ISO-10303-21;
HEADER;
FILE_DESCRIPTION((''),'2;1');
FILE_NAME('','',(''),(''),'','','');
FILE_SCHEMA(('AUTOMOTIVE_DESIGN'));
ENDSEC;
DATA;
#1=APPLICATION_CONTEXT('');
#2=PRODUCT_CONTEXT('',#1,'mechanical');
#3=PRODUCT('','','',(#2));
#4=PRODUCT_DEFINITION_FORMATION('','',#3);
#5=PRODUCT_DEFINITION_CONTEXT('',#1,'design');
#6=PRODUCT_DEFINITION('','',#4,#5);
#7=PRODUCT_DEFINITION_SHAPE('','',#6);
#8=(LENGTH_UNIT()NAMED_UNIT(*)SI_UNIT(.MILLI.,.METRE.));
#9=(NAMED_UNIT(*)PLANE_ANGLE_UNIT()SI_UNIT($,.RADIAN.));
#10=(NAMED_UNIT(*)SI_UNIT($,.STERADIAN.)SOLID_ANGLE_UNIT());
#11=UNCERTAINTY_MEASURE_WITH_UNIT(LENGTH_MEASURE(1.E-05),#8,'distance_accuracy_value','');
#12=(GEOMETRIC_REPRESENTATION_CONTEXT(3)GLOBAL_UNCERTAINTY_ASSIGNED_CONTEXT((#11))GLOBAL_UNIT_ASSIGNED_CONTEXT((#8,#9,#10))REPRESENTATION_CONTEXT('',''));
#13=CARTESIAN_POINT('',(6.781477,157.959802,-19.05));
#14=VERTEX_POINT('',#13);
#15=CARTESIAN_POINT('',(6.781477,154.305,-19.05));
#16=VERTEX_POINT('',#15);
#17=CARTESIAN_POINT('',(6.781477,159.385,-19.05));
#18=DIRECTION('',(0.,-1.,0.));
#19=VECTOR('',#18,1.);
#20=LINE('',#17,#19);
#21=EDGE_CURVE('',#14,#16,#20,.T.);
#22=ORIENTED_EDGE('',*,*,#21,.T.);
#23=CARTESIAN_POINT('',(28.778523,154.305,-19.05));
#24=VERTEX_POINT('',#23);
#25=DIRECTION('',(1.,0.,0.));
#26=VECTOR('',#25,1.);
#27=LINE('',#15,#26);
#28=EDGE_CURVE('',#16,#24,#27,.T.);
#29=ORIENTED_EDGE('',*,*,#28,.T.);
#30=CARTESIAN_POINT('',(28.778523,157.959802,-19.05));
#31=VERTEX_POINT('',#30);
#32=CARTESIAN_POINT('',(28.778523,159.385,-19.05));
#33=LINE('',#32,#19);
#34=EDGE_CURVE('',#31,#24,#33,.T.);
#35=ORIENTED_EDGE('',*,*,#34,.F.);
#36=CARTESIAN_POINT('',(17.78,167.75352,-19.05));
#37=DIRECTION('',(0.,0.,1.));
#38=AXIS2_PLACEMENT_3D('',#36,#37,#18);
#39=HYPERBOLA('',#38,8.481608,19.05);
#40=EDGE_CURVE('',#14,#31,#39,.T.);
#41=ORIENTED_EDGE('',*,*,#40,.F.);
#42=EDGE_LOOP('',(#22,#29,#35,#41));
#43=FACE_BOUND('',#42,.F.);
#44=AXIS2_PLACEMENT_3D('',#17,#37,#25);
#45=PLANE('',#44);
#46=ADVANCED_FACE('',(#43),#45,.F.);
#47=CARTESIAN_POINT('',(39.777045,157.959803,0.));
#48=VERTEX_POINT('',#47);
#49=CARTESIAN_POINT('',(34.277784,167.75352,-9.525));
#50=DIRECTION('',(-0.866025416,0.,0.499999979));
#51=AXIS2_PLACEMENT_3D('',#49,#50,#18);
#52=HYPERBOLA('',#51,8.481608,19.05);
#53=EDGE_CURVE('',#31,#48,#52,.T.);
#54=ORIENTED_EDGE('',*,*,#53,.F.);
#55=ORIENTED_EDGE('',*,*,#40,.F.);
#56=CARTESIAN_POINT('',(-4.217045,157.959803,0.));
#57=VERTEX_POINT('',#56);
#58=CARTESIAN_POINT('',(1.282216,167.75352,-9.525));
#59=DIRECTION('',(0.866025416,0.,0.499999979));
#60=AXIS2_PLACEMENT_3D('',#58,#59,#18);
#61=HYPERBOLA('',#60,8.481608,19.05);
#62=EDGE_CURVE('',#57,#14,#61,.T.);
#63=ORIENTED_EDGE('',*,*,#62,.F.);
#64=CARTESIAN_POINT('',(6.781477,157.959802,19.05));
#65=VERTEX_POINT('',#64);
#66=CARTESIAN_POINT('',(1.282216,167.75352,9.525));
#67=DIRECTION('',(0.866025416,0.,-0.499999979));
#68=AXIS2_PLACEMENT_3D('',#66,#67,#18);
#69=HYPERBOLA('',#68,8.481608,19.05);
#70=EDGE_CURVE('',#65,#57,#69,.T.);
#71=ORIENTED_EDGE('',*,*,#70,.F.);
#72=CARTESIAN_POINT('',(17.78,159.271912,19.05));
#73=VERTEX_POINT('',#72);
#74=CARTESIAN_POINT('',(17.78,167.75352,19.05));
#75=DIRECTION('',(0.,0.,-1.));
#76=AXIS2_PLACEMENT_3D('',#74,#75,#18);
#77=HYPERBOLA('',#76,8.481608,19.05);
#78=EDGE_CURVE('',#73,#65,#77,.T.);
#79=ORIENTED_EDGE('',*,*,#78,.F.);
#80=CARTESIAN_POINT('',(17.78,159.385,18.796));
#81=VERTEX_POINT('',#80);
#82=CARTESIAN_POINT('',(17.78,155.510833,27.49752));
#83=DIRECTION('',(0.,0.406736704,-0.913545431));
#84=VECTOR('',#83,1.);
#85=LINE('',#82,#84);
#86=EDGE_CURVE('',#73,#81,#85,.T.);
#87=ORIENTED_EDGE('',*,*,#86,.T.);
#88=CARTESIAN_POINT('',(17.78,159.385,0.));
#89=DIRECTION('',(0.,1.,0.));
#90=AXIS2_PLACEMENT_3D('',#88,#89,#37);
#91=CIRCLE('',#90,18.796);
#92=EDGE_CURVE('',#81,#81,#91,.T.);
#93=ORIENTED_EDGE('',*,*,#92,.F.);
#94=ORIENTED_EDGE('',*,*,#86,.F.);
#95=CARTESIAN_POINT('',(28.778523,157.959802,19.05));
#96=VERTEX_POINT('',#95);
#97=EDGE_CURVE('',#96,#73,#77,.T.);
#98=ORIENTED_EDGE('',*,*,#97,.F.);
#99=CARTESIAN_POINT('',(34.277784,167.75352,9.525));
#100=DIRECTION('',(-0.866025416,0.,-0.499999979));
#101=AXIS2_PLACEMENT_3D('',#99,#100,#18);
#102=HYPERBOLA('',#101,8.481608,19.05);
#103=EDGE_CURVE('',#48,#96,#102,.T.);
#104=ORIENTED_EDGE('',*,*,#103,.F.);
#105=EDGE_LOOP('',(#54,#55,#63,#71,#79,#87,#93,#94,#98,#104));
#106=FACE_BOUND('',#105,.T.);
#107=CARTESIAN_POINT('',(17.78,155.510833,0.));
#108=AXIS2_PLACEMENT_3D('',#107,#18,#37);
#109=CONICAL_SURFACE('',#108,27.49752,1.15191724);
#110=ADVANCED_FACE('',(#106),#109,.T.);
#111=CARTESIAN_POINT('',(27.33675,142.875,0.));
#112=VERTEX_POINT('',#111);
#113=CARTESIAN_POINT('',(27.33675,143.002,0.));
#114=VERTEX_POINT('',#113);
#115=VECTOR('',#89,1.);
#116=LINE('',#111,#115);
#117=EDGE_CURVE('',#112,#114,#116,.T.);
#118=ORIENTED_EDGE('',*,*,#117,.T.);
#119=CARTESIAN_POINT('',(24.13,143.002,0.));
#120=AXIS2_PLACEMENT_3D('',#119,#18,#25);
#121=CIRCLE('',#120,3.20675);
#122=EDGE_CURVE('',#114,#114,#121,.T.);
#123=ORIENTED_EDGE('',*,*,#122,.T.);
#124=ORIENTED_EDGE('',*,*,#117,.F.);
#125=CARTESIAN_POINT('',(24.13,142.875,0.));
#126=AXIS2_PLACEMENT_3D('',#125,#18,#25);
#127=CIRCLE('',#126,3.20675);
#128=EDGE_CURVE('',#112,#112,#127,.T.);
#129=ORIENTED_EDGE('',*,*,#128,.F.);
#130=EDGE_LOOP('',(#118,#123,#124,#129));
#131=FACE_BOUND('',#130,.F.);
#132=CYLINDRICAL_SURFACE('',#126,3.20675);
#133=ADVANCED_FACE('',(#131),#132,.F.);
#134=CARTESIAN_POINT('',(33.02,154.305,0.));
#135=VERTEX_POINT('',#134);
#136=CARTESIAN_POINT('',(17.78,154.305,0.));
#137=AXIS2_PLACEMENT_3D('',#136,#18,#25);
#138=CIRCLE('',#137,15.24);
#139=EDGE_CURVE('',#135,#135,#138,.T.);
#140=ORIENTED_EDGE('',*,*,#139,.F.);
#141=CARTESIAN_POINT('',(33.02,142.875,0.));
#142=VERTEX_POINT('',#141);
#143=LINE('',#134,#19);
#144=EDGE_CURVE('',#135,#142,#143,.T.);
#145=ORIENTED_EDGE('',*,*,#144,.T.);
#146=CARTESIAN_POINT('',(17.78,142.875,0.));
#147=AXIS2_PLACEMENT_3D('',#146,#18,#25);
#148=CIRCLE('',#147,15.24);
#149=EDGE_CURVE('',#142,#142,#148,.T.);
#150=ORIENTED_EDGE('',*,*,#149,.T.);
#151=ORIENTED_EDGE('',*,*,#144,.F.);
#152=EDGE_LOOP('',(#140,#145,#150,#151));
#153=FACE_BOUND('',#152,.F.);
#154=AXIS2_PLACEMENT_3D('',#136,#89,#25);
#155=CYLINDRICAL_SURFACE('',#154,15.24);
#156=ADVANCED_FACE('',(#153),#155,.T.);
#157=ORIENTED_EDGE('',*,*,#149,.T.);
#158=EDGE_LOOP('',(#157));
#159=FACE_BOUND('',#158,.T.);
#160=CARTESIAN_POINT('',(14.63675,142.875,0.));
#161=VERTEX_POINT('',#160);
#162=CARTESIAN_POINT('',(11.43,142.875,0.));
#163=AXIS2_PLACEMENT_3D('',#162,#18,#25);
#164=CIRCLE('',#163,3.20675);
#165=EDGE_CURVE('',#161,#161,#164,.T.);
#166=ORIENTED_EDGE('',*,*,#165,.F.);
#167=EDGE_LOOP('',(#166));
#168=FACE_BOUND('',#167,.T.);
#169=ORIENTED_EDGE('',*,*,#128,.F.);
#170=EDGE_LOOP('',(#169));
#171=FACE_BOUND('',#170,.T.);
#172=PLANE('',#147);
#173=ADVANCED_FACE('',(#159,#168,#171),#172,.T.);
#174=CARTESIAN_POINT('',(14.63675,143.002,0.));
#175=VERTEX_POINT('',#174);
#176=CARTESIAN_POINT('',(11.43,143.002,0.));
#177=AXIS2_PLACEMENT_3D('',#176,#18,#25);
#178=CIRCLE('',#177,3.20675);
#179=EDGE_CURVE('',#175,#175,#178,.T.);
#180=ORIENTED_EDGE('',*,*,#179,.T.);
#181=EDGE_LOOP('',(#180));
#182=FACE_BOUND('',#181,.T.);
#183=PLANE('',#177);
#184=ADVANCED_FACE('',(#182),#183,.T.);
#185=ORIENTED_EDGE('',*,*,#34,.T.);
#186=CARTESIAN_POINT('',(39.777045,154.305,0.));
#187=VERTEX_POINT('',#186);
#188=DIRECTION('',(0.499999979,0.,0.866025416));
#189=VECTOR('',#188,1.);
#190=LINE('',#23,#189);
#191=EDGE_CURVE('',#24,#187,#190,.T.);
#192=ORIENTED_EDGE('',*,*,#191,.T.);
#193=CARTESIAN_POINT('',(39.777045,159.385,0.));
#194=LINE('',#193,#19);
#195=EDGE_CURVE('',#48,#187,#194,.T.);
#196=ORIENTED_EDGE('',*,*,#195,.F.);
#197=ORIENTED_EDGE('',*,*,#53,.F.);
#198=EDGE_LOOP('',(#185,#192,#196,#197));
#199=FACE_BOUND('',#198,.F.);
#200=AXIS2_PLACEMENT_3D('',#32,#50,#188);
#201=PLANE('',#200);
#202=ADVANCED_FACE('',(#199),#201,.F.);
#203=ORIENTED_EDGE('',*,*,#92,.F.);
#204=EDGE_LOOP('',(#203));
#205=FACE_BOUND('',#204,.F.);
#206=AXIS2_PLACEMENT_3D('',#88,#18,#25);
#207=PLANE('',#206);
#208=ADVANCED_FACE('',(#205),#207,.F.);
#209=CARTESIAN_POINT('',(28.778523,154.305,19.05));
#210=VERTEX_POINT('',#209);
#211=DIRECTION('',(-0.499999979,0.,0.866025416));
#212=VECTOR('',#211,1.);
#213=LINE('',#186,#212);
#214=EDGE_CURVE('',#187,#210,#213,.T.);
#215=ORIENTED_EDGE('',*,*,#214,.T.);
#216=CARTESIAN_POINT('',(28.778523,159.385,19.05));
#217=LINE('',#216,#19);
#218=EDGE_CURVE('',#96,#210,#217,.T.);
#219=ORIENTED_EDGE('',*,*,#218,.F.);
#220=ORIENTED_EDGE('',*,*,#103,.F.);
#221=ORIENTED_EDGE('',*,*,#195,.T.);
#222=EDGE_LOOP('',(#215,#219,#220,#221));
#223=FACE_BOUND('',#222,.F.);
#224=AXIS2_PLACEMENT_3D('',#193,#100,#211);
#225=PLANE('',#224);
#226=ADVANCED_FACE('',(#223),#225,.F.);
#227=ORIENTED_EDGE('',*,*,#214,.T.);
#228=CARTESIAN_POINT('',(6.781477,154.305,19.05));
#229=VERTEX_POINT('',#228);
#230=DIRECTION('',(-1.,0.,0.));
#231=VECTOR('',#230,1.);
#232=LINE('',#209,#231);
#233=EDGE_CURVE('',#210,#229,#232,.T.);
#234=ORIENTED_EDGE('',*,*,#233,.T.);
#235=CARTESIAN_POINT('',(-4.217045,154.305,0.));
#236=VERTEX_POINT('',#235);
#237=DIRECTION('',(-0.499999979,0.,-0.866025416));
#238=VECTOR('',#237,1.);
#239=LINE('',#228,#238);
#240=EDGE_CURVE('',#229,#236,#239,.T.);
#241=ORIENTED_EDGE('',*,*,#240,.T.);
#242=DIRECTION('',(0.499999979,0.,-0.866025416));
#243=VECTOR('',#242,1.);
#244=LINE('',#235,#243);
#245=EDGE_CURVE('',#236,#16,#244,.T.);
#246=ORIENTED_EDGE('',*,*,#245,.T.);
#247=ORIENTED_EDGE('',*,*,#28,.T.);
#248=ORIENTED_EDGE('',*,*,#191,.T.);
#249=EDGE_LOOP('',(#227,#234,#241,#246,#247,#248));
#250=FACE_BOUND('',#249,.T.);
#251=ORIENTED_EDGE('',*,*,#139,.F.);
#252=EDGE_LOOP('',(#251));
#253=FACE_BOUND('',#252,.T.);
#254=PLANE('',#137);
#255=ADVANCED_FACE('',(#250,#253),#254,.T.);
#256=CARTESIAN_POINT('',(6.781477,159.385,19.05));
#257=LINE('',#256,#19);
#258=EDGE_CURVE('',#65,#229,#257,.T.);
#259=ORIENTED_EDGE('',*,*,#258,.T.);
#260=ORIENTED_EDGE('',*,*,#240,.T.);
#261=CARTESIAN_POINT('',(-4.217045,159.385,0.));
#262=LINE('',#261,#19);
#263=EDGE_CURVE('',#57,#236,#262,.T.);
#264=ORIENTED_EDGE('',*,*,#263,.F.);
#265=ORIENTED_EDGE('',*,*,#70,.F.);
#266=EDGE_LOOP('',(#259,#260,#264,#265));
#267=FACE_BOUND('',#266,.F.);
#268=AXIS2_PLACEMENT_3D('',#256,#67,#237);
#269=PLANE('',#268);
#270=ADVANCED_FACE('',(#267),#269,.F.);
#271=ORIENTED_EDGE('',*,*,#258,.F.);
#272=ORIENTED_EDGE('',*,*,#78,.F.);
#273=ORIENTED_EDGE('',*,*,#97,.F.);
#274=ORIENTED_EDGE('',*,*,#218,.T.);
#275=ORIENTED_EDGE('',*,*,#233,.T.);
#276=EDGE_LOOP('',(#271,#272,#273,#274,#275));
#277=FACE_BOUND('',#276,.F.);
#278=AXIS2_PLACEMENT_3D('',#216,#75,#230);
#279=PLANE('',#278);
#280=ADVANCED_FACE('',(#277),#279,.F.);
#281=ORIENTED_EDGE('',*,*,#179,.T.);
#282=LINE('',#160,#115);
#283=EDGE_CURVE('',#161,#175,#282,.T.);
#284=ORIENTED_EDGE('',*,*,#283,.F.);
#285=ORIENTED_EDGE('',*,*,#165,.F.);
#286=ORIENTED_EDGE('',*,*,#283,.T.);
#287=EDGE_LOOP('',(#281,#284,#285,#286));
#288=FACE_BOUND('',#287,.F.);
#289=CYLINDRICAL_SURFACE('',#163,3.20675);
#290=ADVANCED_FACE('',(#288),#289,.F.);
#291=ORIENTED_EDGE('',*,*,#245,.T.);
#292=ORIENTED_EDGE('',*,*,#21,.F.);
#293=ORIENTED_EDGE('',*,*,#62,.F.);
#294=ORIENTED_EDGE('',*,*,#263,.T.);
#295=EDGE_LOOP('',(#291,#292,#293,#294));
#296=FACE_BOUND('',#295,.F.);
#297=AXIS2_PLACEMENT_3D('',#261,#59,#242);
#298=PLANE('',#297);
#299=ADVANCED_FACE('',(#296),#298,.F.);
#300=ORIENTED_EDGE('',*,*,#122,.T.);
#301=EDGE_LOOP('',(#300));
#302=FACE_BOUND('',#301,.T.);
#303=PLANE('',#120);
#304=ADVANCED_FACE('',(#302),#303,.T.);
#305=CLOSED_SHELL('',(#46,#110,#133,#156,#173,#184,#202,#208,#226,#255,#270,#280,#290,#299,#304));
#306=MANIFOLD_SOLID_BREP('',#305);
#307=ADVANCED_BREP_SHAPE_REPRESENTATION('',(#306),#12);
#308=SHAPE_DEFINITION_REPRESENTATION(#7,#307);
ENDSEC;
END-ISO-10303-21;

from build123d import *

# Parameters (mm, degrees)
PAD012_DEPTH    = 5.08
SKETCH059_R     = 15.24
PAD013_DEPTH    = 11.43
SKETCH065_R     = 3.20675
POCKET010_DEPTH = 0.127


with BuildPart() as part:
    # Sketch058 → Pad012 (new body)
    with BuildSketch(Plane.XZ):
        Polygon((21.997045, 0), (10.998523, 19.05), (-10.998523, 19.05), (-21.997045, 0), (-10.998523, -19.05), (10.998523, -19.05), align=None)
    extrude(amount=PAD012_DEPTH)

    # Sketch059 (on Face8 of Pad012) → Pad013 (join)
    with BuildSketch(Plane.XZ.offset(5.08)):
        Circle(SKETCH059_R)
    extrude(amount=PAD013_DEPTH)

    # Sketch062 → Groove002 (revolve, cut)
    with BuildSketch(Plane.YZ):
        Polygon((-3.874167, 27.49752), (3.874167, 10.09448), (15.071476, 25.506253), align=None)
    revolve(axis=Axis((0, 0, 0), (0, 1, 0)), mode=Mode.SUBTRACT)

    # Sketch065 (on Face11 of Groove002) → Pocket010 (cut)
    with BuildSketch(Plane.XZ.offset(16.51)):
        with Locations((6.35, 0)):
            Circle(SKETCH065_R)
        with Locations((-6.35, 0)):
            Circle(SKETCH065_R)
    extrude(amount=-POCKET010_DEPTH, mode=Mode.SUBTRACT)


with BuildPart() as part_1:
    # Body009 placement: moved
    add(part.part.moved(Location((17.78, 159.385, 0))))


solid = part_1.part
